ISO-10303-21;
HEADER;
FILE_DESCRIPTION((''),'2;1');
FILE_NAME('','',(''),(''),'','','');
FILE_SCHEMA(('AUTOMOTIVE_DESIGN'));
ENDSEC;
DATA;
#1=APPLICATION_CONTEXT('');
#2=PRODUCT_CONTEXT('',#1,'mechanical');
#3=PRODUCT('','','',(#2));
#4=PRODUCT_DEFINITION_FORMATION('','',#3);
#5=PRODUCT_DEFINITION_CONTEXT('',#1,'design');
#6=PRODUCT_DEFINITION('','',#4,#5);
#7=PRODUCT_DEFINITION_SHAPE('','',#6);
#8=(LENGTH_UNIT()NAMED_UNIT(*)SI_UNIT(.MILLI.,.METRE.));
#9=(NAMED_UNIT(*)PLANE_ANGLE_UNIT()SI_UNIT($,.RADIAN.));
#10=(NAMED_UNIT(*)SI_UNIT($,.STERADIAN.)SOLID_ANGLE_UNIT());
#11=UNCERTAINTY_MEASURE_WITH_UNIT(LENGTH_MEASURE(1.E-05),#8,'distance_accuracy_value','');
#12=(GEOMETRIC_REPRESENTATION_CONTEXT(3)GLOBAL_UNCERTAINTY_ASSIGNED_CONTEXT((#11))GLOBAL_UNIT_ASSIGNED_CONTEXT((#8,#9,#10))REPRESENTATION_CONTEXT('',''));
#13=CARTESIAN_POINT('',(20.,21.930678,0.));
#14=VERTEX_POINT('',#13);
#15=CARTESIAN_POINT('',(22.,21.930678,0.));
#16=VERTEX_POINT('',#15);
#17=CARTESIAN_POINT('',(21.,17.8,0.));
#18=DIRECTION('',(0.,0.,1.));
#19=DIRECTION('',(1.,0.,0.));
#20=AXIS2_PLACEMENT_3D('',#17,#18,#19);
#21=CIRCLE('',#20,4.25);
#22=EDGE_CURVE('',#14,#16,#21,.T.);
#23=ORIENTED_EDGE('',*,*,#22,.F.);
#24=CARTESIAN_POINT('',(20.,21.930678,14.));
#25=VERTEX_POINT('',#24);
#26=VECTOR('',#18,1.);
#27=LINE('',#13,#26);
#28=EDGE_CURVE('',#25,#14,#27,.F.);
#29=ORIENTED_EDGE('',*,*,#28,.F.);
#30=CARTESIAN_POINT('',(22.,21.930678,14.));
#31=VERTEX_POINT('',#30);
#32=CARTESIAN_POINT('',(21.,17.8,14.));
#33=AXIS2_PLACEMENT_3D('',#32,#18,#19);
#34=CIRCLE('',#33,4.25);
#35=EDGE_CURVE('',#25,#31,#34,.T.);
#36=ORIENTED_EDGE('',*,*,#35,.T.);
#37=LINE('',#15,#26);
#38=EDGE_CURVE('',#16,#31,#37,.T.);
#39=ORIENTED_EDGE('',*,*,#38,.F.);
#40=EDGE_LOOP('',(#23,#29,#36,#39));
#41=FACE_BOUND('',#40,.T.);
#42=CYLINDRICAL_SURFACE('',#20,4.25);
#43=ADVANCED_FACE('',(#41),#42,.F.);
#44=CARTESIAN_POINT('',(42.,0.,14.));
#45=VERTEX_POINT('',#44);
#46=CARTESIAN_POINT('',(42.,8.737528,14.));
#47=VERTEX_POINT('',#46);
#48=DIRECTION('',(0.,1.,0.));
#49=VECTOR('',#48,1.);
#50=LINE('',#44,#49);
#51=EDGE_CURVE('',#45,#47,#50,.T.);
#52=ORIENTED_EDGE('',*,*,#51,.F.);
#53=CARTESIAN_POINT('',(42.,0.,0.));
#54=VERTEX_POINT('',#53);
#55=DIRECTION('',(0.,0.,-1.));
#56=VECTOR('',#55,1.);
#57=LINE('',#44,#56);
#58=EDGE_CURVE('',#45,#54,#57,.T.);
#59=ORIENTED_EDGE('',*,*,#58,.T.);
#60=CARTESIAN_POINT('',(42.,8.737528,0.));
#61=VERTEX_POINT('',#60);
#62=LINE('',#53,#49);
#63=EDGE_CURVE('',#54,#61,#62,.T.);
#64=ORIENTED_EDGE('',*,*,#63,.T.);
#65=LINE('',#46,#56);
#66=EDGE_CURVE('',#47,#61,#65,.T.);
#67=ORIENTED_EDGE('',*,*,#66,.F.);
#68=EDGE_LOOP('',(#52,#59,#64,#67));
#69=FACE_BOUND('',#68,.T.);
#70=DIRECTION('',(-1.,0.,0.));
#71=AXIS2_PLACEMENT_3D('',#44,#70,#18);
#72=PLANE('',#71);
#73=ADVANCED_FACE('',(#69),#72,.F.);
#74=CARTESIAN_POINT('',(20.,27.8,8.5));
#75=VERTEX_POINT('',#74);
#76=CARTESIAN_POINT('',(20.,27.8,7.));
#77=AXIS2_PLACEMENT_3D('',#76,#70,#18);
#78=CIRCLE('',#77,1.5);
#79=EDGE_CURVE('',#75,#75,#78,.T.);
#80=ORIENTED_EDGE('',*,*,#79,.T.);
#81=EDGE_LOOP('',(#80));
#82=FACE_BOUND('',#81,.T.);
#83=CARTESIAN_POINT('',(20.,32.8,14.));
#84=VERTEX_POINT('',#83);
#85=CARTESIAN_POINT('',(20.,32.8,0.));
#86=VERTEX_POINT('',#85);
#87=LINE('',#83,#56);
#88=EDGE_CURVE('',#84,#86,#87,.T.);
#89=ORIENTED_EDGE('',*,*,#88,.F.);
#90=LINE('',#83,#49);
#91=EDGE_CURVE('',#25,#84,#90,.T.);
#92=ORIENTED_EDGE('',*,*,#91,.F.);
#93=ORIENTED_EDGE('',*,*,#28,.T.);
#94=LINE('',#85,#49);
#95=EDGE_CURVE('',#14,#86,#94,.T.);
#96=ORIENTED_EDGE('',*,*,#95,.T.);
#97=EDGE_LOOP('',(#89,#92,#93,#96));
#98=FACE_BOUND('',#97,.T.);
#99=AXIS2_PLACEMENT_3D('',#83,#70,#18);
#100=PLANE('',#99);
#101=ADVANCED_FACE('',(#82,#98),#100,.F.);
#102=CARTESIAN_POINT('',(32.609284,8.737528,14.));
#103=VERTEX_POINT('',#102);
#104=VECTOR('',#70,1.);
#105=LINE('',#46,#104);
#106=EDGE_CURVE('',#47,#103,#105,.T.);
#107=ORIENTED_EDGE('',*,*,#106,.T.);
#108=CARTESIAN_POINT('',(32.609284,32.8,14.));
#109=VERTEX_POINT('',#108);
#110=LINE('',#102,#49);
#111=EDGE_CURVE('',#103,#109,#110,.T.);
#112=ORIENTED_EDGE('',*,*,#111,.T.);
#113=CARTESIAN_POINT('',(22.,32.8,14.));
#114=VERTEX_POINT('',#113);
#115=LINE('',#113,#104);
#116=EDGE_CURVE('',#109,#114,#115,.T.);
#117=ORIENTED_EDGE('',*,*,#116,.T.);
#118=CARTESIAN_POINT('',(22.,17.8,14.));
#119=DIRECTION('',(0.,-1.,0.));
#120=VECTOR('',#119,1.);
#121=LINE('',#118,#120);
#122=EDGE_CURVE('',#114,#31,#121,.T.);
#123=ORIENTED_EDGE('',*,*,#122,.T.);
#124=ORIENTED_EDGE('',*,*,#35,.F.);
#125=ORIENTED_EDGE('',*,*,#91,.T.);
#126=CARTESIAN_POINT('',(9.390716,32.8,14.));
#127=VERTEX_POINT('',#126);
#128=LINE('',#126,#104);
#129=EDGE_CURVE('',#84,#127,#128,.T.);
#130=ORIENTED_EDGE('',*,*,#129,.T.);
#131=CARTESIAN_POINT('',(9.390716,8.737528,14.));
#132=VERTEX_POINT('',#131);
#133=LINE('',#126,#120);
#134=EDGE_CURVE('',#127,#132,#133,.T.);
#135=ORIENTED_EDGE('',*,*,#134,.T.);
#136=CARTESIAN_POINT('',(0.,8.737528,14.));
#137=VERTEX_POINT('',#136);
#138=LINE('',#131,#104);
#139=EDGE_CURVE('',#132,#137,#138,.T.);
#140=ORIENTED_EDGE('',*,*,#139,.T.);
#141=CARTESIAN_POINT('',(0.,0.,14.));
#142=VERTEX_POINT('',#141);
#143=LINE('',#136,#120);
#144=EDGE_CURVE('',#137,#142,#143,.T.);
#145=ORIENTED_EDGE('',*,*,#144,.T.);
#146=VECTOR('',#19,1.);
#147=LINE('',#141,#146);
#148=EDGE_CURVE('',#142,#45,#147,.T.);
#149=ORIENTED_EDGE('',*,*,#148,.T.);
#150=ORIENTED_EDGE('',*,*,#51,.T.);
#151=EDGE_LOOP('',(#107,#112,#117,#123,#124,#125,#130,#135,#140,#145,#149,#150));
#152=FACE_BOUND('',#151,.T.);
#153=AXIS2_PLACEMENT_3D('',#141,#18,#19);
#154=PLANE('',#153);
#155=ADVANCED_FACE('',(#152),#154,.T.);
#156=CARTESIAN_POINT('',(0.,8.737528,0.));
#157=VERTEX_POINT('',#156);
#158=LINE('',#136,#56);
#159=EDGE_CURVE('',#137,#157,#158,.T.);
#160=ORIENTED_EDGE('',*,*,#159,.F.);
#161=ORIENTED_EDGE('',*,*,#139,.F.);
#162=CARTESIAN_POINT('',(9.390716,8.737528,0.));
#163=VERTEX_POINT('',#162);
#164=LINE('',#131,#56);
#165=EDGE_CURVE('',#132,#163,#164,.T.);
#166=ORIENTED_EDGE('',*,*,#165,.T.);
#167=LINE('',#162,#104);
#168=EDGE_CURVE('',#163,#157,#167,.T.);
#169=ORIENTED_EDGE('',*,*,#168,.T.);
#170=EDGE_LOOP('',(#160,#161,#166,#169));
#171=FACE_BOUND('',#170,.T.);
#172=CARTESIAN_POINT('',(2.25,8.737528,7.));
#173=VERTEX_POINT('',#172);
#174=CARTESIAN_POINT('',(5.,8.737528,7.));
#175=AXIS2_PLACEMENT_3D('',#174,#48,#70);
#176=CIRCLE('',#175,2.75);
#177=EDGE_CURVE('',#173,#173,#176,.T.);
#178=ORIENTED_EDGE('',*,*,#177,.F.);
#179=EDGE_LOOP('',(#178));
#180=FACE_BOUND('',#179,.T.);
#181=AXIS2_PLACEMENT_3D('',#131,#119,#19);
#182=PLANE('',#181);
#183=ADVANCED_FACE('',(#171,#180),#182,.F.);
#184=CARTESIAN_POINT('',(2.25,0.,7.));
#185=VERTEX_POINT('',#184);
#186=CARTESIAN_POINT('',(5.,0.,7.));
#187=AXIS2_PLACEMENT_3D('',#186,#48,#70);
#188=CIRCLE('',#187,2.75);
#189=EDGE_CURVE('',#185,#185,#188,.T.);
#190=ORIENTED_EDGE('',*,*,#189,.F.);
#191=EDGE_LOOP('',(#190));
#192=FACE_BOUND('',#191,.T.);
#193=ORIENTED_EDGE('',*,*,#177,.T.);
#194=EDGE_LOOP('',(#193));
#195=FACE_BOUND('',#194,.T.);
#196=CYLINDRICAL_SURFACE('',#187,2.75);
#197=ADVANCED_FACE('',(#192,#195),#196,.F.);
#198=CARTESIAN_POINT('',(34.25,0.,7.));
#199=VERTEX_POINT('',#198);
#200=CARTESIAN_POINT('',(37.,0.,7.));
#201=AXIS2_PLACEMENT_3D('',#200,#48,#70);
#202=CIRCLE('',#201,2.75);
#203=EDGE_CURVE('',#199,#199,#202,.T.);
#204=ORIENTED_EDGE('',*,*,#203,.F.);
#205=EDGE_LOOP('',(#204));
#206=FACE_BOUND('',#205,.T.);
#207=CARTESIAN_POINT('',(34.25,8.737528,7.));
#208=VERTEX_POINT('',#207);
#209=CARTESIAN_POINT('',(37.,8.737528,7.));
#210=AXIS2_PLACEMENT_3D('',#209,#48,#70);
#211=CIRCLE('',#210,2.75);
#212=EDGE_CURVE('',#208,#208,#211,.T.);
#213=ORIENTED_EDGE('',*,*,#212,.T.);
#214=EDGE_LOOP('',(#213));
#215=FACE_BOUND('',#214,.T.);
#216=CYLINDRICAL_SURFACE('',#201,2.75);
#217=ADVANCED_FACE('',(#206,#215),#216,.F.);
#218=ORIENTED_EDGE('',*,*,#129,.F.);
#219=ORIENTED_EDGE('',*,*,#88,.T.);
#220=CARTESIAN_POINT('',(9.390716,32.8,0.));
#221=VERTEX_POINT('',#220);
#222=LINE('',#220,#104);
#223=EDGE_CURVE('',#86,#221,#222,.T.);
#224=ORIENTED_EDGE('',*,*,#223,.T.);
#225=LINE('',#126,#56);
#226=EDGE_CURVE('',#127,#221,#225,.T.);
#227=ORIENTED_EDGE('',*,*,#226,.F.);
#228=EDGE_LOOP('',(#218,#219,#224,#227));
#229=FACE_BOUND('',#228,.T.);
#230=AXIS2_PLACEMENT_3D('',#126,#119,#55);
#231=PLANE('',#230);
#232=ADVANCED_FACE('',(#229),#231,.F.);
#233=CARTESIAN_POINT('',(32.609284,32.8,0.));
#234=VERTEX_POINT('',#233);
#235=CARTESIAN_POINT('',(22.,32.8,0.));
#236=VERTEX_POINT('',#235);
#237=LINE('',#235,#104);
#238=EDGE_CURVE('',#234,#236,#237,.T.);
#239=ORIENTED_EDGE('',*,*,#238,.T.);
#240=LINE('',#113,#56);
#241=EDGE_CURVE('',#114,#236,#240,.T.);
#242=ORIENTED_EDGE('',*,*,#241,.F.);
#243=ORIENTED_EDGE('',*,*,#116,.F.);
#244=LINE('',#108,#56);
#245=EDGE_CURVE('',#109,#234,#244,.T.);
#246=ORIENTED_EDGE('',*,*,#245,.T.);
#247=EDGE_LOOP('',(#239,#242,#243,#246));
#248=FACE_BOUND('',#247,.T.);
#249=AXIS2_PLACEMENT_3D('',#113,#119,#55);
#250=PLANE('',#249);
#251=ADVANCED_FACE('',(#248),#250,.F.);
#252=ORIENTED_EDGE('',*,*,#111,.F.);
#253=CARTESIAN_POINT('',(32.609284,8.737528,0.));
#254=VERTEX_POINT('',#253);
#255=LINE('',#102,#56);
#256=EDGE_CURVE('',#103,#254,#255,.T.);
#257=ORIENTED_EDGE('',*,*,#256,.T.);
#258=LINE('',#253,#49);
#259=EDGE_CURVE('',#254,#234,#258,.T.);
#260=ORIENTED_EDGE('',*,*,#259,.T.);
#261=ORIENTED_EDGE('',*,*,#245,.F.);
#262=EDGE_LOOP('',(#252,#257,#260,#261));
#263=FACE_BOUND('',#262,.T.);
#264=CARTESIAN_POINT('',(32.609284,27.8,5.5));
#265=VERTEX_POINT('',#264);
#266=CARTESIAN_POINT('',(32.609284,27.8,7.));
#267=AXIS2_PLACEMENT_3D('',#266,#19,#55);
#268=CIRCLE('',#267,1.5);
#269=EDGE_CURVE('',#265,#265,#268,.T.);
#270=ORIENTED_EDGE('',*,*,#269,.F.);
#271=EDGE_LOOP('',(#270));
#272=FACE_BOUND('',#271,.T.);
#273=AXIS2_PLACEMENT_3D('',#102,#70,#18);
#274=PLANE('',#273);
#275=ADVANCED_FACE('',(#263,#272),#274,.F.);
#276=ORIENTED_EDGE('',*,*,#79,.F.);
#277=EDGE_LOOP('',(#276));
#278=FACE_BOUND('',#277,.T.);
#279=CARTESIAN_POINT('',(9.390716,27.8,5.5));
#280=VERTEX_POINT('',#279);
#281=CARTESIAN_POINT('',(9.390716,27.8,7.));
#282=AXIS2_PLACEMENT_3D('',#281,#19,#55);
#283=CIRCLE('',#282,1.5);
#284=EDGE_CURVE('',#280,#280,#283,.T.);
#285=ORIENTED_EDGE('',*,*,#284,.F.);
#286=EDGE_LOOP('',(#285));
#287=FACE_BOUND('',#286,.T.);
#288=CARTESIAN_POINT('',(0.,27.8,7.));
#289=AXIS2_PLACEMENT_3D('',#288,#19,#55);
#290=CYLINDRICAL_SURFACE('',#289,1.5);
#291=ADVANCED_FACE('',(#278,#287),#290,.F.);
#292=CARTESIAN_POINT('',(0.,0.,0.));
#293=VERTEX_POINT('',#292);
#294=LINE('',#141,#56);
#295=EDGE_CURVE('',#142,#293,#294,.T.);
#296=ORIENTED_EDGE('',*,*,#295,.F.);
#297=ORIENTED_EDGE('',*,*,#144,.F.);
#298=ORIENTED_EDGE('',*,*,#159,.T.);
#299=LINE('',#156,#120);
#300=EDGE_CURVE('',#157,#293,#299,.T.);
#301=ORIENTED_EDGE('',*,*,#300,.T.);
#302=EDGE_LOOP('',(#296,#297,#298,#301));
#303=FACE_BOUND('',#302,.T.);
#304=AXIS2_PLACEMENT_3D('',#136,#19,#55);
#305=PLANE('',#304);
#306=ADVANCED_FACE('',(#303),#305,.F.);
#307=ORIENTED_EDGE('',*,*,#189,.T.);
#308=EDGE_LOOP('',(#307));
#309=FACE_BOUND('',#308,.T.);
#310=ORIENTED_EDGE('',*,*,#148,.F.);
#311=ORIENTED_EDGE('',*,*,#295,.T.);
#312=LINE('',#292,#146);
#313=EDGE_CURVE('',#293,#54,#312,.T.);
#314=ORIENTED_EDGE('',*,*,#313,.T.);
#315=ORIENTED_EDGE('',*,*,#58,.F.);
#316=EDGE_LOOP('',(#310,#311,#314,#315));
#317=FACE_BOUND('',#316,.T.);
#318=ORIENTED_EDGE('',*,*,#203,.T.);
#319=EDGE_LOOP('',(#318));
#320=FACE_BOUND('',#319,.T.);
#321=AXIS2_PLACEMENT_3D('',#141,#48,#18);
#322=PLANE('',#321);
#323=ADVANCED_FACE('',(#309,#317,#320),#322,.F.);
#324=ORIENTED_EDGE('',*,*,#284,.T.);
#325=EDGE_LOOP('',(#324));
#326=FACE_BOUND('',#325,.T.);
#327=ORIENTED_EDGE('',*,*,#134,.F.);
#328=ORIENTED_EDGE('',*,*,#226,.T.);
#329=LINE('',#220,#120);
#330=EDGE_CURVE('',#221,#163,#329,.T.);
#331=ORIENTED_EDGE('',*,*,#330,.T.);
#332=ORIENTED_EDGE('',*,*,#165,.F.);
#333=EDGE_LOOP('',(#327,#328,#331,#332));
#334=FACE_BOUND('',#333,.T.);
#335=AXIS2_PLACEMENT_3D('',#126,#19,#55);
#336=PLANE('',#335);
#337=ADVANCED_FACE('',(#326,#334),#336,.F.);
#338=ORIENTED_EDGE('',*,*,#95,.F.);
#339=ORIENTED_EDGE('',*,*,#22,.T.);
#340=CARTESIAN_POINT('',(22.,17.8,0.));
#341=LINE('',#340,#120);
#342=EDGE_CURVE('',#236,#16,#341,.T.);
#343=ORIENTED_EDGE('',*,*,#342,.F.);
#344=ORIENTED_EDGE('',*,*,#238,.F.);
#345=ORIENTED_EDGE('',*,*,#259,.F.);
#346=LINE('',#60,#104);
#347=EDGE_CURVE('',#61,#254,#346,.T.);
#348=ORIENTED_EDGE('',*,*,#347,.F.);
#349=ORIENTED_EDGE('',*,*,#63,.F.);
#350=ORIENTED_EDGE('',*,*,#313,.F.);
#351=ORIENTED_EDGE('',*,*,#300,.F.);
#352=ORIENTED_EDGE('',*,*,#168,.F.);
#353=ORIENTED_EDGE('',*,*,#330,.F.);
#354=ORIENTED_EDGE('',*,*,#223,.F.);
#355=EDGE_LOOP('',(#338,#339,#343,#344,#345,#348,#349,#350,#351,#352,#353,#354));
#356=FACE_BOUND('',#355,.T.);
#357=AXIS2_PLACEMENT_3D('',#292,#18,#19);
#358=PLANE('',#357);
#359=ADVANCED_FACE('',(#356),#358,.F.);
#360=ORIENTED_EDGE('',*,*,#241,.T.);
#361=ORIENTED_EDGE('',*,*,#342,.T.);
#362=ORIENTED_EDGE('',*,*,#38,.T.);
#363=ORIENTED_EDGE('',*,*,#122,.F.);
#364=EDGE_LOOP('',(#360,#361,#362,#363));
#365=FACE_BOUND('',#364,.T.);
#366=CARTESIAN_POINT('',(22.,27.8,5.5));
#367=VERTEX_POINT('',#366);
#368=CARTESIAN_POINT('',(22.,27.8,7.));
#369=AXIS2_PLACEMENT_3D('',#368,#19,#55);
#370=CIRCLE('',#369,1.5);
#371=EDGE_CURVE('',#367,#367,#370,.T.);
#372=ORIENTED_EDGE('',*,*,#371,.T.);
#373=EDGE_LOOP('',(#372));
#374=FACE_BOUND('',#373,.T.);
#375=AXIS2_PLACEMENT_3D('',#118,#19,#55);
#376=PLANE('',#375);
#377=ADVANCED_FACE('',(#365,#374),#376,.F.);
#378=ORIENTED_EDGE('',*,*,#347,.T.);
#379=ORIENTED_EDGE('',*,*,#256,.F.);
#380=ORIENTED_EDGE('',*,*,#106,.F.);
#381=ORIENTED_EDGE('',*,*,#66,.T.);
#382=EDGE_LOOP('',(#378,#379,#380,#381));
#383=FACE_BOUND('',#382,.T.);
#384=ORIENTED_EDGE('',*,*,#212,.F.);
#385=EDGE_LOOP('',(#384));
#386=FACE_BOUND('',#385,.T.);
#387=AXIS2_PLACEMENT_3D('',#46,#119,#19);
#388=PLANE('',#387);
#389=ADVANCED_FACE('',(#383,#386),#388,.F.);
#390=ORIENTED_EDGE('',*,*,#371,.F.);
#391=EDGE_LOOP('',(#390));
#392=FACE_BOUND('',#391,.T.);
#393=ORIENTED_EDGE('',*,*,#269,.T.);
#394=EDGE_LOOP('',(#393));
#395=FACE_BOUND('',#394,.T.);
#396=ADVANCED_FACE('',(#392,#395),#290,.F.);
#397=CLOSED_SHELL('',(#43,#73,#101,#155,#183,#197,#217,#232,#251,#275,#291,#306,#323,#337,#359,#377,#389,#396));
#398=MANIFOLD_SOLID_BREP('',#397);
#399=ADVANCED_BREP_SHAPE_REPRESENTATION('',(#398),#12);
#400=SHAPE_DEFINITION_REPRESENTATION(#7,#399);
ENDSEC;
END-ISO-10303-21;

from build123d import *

# Parameters (mm, degrees)
BOSS_EXTRUDE1_DEPTH = 14
SKETCH2_R           = 4.25
CUT_EXTRUDE1_DEPTH  = 56.098457329
SKETCH3_R           = 2.75
CUT_EXTRUDE2_DEPTH  = 51.388516183
SKETCH4_R           = 1.5
CUT_EXTRUDE3_DEPTH  = 49.323962746


with BuildPart() as part:
    # Sketch1 → Boss-Extrude1 (new body)
    with BuildSketch(Plane.XY):
        Polygon((0, 0), (42, 0), (42, 8.73752791), (32.609283578, 8.73752791), (32.609283578, 32.8), (22, 32.8), (22, 17.8), (20, 17.8), (20, 32.8), (9.390716422, 32.8), (9.390716422, 8.73752791), (0, 8.73752791), align=None)
    extrude(amount=BOSS_EXTRUDE1_DEPTH)

    # Sketch2 → Cut-Extrude1 (cut, through all)
    with BuildSketch(Plane.XY.offset(14)):
        with Locations((21, 17.8)):
            Circle(SKETCH2_R)
    extrude(amount=-CUT_EXTRUDE1_DEPTH, mode=Mode.SUBTRACT)

    # Sketch3 → Cut-Extrude2 (cut, through all)
    with BuildSketch(Plane(origin=(0, 8.73752791, 0), x_dir=(1, 0, 0), z_dir=(0, 1, 0))):
        with Locations(Location((5, -7, 0), (0, 0, 180))):
            Circle(SKETCH3_R)
        with Locations(Location((37, -7, 0), (0, 0, 180))):
            Circle(SKETCH3_R)
    extrude(amount=-CUT_EXTRUDE2_DEPTH, mode=Mode.SUBTRACT)

    # Sketch4 → Cut-Extrude3 (cut, through all)
    with BuildSketch(Plane(origin=(32.609283578, 0, 0), x_dir=(0, 0, -1), z_dir=(1, 0, 0))):
        with Locations((-7, 27.8)):
            Circle(SKETCH4_R)
    extrude(amount=-CUT_EXTRUDE3_DEPTH, mode=Mode.SUBTRACT)


solid = part.part
